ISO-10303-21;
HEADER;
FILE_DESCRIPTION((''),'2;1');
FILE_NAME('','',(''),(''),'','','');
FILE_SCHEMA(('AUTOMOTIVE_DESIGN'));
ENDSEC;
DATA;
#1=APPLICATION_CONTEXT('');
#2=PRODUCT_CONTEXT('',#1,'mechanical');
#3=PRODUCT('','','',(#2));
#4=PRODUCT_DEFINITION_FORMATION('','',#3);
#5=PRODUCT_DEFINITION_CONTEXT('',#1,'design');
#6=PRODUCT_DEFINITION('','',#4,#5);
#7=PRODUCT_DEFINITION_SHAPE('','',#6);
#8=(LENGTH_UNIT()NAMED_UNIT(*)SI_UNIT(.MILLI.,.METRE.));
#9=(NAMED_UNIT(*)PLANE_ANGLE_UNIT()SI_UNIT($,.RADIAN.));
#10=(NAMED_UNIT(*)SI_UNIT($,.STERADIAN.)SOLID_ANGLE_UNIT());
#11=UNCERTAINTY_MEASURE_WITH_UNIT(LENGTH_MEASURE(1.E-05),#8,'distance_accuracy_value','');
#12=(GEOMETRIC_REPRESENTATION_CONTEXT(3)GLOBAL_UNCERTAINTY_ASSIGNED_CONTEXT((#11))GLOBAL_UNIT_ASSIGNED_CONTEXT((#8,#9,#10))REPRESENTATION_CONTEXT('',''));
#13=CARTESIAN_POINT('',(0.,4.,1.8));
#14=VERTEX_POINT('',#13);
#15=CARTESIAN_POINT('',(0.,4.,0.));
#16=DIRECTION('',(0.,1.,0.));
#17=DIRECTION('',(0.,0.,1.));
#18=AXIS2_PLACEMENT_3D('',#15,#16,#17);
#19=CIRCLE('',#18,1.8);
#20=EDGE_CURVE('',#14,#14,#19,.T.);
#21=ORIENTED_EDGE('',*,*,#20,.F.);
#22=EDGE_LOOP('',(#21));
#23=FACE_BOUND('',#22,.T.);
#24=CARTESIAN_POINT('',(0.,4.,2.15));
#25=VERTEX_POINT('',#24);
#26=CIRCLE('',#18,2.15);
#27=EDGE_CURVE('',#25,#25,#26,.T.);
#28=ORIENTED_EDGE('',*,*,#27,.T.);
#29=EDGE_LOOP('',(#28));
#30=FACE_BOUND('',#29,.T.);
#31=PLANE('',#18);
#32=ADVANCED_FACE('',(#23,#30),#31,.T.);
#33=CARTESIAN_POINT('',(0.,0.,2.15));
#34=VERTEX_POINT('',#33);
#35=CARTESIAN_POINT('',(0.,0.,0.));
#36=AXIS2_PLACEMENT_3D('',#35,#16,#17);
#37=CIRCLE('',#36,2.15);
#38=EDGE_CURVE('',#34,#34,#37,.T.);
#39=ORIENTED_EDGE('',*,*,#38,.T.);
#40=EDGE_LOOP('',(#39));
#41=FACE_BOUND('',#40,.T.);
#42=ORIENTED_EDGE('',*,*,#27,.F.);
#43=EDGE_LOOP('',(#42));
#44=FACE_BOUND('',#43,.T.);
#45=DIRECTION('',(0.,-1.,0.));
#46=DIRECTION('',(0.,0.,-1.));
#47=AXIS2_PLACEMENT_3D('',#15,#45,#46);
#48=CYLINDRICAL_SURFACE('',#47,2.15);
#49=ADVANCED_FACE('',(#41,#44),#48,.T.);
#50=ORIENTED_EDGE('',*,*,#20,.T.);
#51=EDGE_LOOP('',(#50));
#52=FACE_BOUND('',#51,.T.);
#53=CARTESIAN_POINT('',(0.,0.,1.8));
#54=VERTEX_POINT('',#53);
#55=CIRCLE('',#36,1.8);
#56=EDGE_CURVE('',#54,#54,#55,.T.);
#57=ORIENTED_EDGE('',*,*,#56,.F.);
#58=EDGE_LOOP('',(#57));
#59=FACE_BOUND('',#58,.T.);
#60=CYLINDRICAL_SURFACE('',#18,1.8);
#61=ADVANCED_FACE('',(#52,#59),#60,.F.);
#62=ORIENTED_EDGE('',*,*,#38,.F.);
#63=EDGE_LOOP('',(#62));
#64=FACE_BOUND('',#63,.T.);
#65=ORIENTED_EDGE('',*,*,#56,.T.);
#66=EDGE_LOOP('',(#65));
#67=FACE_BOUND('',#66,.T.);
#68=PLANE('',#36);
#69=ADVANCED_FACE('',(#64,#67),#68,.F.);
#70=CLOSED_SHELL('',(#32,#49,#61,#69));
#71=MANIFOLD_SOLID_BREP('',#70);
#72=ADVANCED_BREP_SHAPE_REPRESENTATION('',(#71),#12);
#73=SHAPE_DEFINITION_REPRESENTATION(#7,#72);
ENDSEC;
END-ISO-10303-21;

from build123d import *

# Parameters (mm, degrees)
SKETCH1_R            = 2.15
BOSS_EXTRUDE1_DEPTH  = 4
M3_CLEARANCE_HOLE1_D = 3.6


with BuildPart() as part:
    # Sketch1 → Boss-Extrude1 (new body)
    with BuildSketch(Plane(origin=(0, 0, 0), x_dir=(1, 0, 0), z_dir=(0, 1, 0))):
        with Locations(Location((0, 0, 0), (0, 0, 270))):
            Circle(SKETCH1_R)
    extrude(amount=BOSS_EXTRUDE1_DEPTH)

    # M3 Clearance Hole1 (through all)
    with Locations(Plane(origin=(0, 4, 0), x_dir=(1, 0, 0), z_dir=(0, 1, 0))):
        with Locations((0, 0)):
            Hole(M3_CLEARANCE_HOLE1_D / 2)


solid = part.part
